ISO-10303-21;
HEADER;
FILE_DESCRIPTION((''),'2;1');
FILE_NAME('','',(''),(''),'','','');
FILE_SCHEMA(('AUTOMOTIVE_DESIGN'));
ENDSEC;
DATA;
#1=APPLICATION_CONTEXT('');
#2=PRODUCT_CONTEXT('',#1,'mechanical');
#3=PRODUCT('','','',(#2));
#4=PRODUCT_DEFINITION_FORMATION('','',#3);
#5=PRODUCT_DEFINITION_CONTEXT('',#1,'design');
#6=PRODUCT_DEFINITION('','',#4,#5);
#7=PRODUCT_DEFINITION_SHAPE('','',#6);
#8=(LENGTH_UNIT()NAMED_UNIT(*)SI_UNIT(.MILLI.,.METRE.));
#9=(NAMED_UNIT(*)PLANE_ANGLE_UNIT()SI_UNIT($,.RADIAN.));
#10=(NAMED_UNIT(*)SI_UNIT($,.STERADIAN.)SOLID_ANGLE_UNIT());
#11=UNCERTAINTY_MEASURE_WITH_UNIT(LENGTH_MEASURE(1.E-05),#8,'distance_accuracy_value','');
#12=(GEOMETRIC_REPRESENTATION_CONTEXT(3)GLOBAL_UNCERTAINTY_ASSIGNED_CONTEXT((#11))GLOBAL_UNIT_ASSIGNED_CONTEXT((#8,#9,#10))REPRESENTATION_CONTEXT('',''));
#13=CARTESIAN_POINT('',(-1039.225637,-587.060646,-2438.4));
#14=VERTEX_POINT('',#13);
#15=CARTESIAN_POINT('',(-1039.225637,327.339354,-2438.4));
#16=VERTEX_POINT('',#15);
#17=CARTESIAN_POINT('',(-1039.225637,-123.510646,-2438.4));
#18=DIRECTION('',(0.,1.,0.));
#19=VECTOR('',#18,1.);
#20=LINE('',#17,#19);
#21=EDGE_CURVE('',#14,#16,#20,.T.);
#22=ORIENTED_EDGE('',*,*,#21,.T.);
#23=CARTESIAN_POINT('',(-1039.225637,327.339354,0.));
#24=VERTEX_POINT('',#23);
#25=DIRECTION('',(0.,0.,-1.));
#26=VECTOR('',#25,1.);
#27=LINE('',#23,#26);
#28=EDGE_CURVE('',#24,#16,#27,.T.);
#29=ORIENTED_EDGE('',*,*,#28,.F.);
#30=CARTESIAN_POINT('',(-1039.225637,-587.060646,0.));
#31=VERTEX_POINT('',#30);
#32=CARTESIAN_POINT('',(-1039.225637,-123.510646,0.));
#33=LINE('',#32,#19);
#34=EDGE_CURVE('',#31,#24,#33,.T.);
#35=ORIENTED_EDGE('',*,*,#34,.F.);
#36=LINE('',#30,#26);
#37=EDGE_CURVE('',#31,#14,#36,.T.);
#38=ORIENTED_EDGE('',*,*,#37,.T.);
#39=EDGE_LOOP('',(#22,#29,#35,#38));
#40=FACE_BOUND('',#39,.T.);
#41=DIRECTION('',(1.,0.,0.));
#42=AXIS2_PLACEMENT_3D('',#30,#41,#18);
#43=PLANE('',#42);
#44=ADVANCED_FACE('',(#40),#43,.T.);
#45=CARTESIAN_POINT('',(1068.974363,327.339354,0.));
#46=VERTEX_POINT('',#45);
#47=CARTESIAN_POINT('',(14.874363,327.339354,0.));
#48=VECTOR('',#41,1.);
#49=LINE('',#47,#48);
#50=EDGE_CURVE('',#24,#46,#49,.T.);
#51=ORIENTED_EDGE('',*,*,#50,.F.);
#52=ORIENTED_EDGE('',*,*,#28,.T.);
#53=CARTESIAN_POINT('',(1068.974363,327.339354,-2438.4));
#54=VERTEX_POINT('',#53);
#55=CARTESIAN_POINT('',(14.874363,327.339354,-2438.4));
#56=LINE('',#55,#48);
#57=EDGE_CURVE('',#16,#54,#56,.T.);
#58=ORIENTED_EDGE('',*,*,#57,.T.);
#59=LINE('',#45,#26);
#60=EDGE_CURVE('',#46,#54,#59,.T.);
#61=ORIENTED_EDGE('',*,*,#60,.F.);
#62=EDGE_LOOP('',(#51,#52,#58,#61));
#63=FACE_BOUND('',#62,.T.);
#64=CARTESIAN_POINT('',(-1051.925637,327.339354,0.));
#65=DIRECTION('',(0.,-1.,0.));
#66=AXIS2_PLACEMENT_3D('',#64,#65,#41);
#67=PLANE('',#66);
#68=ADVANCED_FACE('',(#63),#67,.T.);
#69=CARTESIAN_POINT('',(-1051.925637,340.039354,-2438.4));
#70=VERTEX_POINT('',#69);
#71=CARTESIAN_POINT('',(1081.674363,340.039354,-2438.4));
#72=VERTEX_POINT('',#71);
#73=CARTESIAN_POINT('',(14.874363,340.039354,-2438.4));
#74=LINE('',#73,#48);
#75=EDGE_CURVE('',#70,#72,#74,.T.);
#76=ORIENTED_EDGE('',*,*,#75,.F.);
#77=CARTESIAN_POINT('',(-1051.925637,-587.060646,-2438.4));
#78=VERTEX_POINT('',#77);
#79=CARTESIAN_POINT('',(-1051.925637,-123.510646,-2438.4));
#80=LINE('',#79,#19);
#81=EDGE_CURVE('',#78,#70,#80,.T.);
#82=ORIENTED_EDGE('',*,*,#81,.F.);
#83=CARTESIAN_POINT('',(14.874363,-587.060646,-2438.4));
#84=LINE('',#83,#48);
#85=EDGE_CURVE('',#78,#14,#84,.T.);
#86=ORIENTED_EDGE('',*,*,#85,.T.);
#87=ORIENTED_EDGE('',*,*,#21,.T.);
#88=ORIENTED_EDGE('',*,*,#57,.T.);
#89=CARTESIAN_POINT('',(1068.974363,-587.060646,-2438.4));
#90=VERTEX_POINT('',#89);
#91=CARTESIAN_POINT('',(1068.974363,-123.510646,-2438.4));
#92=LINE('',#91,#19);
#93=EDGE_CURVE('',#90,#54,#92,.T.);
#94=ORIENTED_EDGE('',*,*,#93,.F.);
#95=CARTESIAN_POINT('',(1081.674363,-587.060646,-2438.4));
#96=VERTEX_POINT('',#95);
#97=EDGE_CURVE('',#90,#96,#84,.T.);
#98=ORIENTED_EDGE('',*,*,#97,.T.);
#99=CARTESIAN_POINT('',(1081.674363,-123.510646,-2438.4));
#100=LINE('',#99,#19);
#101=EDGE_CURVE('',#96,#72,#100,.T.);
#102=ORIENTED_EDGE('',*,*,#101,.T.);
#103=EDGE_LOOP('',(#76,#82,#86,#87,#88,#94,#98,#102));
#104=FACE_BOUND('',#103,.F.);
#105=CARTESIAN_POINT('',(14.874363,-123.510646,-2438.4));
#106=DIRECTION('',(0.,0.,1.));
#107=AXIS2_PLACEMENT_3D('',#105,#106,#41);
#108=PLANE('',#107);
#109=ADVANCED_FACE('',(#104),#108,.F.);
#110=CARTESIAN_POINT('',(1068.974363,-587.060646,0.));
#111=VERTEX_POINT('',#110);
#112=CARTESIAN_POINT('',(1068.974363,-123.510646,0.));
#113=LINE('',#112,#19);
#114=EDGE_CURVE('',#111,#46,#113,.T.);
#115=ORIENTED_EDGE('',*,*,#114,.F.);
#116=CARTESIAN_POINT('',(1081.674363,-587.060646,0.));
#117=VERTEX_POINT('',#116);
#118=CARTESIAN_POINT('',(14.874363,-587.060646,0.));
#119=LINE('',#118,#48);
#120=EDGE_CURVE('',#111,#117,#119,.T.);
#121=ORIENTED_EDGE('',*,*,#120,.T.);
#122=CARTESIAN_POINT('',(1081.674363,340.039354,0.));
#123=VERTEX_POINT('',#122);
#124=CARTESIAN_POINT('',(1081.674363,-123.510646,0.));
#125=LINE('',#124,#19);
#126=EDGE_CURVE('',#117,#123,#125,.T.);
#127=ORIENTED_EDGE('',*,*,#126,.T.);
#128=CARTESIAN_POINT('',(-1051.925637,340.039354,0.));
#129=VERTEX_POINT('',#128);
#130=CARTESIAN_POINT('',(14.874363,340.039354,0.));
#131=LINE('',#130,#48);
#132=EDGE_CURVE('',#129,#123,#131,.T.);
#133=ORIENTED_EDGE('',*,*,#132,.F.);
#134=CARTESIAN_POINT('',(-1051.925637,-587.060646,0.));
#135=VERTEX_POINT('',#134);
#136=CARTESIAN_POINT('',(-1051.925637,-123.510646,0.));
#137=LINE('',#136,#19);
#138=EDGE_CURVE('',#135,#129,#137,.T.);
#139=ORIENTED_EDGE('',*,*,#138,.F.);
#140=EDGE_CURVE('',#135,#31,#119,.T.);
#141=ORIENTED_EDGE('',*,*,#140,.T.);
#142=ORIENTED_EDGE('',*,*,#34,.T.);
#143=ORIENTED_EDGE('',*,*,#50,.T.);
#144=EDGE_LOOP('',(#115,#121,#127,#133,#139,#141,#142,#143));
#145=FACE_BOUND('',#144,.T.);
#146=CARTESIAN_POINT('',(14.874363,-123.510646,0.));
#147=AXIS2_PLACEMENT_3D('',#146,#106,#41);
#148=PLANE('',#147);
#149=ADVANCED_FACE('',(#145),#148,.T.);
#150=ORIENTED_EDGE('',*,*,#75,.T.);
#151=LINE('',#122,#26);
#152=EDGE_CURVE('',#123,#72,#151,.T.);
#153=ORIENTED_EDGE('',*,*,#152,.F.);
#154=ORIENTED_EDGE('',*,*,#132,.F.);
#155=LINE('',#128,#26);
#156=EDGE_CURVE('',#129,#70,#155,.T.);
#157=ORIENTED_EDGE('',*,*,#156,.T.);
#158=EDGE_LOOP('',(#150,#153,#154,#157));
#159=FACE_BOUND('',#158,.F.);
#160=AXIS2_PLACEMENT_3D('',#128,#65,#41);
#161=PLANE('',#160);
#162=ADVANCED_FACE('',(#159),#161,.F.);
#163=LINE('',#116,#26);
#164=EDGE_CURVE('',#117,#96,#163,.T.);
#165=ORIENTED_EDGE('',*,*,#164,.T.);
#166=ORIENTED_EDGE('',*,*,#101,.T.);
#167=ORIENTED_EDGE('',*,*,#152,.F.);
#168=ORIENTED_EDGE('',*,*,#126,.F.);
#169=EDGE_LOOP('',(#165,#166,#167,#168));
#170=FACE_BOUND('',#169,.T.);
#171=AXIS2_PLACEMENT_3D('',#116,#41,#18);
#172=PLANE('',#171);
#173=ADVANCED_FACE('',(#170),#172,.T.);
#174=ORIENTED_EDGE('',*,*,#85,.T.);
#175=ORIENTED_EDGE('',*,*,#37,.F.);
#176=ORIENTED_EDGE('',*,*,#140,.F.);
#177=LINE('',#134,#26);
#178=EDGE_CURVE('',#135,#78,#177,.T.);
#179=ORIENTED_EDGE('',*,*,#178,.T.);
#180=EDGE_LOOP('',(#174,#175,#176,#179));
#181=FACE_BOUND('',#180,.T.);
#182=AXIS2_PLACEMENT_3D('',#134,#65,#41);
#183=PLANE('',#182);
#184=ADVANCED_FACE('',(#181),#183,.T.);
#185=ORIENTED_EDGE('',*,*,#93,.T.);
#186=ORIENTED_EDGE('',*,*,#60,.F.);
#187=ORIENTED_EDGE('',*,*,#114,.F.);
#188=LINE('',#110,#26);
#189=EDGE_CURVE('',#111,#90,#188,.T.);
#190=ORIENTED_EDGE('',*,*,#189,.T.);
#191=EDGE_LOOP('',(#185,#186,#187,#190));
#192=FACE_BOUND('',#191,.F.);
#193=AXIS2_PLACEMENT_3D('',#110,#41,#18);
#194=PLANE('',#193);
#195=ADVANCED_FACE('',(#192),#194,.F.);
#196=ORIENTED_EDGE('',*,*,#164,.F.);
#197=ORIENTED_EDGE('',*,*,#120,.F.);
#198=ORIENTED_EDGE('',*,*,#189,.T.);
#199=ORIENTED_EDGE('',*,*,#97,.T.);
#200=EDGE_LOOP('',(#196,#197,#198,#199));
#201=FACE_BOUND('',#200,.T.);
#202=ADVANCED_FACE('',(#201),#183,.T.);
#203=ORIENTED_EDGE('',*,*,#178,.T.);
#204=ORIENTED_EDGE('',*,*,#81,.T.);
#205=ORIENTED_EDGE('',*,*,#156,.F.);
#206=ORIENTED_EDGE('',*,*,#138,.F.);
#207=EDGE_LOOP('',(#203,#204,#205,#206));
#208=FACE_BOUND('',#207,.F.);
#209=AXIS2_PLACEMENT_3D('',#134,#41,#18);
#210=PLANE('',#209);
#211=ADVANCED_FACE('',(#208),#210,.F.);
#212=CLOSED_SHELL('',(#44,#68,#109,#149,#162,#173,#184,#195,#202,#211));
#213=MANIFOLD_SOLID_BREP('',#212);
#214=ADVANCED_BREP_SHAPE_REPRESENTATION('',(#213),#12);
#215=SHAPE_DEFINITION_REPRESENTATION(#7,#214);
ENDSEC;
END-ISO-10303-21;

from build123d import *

# Parameters (mm, degrees)
F0_W     = 2133.6
F0_H     = 927.1
F1_DEPTH = 2438.4
F2_T     = -12.7


with BuildPart() as f1:
    # F0 (on Top) → F1 (new body)
    with BuildSketch(Plane.XY):
        with Locations((14.874363, -123.510646)):
            Rectangle(F0_W, F0_H)
    extrude(amount=-F1_DEPTH)

    # F2
    f2_openings = [f1.faces().sort_by_distance(p)[0] for p in [
        (14.874363, -123.510646, 0),
        (14.874363, -587.060646, -1219.2),
        (14.874363, -123.510646, -2438.4),
    ]]
    offset(amount=F2_T, openings=f2_openings)


solid = f1.part
